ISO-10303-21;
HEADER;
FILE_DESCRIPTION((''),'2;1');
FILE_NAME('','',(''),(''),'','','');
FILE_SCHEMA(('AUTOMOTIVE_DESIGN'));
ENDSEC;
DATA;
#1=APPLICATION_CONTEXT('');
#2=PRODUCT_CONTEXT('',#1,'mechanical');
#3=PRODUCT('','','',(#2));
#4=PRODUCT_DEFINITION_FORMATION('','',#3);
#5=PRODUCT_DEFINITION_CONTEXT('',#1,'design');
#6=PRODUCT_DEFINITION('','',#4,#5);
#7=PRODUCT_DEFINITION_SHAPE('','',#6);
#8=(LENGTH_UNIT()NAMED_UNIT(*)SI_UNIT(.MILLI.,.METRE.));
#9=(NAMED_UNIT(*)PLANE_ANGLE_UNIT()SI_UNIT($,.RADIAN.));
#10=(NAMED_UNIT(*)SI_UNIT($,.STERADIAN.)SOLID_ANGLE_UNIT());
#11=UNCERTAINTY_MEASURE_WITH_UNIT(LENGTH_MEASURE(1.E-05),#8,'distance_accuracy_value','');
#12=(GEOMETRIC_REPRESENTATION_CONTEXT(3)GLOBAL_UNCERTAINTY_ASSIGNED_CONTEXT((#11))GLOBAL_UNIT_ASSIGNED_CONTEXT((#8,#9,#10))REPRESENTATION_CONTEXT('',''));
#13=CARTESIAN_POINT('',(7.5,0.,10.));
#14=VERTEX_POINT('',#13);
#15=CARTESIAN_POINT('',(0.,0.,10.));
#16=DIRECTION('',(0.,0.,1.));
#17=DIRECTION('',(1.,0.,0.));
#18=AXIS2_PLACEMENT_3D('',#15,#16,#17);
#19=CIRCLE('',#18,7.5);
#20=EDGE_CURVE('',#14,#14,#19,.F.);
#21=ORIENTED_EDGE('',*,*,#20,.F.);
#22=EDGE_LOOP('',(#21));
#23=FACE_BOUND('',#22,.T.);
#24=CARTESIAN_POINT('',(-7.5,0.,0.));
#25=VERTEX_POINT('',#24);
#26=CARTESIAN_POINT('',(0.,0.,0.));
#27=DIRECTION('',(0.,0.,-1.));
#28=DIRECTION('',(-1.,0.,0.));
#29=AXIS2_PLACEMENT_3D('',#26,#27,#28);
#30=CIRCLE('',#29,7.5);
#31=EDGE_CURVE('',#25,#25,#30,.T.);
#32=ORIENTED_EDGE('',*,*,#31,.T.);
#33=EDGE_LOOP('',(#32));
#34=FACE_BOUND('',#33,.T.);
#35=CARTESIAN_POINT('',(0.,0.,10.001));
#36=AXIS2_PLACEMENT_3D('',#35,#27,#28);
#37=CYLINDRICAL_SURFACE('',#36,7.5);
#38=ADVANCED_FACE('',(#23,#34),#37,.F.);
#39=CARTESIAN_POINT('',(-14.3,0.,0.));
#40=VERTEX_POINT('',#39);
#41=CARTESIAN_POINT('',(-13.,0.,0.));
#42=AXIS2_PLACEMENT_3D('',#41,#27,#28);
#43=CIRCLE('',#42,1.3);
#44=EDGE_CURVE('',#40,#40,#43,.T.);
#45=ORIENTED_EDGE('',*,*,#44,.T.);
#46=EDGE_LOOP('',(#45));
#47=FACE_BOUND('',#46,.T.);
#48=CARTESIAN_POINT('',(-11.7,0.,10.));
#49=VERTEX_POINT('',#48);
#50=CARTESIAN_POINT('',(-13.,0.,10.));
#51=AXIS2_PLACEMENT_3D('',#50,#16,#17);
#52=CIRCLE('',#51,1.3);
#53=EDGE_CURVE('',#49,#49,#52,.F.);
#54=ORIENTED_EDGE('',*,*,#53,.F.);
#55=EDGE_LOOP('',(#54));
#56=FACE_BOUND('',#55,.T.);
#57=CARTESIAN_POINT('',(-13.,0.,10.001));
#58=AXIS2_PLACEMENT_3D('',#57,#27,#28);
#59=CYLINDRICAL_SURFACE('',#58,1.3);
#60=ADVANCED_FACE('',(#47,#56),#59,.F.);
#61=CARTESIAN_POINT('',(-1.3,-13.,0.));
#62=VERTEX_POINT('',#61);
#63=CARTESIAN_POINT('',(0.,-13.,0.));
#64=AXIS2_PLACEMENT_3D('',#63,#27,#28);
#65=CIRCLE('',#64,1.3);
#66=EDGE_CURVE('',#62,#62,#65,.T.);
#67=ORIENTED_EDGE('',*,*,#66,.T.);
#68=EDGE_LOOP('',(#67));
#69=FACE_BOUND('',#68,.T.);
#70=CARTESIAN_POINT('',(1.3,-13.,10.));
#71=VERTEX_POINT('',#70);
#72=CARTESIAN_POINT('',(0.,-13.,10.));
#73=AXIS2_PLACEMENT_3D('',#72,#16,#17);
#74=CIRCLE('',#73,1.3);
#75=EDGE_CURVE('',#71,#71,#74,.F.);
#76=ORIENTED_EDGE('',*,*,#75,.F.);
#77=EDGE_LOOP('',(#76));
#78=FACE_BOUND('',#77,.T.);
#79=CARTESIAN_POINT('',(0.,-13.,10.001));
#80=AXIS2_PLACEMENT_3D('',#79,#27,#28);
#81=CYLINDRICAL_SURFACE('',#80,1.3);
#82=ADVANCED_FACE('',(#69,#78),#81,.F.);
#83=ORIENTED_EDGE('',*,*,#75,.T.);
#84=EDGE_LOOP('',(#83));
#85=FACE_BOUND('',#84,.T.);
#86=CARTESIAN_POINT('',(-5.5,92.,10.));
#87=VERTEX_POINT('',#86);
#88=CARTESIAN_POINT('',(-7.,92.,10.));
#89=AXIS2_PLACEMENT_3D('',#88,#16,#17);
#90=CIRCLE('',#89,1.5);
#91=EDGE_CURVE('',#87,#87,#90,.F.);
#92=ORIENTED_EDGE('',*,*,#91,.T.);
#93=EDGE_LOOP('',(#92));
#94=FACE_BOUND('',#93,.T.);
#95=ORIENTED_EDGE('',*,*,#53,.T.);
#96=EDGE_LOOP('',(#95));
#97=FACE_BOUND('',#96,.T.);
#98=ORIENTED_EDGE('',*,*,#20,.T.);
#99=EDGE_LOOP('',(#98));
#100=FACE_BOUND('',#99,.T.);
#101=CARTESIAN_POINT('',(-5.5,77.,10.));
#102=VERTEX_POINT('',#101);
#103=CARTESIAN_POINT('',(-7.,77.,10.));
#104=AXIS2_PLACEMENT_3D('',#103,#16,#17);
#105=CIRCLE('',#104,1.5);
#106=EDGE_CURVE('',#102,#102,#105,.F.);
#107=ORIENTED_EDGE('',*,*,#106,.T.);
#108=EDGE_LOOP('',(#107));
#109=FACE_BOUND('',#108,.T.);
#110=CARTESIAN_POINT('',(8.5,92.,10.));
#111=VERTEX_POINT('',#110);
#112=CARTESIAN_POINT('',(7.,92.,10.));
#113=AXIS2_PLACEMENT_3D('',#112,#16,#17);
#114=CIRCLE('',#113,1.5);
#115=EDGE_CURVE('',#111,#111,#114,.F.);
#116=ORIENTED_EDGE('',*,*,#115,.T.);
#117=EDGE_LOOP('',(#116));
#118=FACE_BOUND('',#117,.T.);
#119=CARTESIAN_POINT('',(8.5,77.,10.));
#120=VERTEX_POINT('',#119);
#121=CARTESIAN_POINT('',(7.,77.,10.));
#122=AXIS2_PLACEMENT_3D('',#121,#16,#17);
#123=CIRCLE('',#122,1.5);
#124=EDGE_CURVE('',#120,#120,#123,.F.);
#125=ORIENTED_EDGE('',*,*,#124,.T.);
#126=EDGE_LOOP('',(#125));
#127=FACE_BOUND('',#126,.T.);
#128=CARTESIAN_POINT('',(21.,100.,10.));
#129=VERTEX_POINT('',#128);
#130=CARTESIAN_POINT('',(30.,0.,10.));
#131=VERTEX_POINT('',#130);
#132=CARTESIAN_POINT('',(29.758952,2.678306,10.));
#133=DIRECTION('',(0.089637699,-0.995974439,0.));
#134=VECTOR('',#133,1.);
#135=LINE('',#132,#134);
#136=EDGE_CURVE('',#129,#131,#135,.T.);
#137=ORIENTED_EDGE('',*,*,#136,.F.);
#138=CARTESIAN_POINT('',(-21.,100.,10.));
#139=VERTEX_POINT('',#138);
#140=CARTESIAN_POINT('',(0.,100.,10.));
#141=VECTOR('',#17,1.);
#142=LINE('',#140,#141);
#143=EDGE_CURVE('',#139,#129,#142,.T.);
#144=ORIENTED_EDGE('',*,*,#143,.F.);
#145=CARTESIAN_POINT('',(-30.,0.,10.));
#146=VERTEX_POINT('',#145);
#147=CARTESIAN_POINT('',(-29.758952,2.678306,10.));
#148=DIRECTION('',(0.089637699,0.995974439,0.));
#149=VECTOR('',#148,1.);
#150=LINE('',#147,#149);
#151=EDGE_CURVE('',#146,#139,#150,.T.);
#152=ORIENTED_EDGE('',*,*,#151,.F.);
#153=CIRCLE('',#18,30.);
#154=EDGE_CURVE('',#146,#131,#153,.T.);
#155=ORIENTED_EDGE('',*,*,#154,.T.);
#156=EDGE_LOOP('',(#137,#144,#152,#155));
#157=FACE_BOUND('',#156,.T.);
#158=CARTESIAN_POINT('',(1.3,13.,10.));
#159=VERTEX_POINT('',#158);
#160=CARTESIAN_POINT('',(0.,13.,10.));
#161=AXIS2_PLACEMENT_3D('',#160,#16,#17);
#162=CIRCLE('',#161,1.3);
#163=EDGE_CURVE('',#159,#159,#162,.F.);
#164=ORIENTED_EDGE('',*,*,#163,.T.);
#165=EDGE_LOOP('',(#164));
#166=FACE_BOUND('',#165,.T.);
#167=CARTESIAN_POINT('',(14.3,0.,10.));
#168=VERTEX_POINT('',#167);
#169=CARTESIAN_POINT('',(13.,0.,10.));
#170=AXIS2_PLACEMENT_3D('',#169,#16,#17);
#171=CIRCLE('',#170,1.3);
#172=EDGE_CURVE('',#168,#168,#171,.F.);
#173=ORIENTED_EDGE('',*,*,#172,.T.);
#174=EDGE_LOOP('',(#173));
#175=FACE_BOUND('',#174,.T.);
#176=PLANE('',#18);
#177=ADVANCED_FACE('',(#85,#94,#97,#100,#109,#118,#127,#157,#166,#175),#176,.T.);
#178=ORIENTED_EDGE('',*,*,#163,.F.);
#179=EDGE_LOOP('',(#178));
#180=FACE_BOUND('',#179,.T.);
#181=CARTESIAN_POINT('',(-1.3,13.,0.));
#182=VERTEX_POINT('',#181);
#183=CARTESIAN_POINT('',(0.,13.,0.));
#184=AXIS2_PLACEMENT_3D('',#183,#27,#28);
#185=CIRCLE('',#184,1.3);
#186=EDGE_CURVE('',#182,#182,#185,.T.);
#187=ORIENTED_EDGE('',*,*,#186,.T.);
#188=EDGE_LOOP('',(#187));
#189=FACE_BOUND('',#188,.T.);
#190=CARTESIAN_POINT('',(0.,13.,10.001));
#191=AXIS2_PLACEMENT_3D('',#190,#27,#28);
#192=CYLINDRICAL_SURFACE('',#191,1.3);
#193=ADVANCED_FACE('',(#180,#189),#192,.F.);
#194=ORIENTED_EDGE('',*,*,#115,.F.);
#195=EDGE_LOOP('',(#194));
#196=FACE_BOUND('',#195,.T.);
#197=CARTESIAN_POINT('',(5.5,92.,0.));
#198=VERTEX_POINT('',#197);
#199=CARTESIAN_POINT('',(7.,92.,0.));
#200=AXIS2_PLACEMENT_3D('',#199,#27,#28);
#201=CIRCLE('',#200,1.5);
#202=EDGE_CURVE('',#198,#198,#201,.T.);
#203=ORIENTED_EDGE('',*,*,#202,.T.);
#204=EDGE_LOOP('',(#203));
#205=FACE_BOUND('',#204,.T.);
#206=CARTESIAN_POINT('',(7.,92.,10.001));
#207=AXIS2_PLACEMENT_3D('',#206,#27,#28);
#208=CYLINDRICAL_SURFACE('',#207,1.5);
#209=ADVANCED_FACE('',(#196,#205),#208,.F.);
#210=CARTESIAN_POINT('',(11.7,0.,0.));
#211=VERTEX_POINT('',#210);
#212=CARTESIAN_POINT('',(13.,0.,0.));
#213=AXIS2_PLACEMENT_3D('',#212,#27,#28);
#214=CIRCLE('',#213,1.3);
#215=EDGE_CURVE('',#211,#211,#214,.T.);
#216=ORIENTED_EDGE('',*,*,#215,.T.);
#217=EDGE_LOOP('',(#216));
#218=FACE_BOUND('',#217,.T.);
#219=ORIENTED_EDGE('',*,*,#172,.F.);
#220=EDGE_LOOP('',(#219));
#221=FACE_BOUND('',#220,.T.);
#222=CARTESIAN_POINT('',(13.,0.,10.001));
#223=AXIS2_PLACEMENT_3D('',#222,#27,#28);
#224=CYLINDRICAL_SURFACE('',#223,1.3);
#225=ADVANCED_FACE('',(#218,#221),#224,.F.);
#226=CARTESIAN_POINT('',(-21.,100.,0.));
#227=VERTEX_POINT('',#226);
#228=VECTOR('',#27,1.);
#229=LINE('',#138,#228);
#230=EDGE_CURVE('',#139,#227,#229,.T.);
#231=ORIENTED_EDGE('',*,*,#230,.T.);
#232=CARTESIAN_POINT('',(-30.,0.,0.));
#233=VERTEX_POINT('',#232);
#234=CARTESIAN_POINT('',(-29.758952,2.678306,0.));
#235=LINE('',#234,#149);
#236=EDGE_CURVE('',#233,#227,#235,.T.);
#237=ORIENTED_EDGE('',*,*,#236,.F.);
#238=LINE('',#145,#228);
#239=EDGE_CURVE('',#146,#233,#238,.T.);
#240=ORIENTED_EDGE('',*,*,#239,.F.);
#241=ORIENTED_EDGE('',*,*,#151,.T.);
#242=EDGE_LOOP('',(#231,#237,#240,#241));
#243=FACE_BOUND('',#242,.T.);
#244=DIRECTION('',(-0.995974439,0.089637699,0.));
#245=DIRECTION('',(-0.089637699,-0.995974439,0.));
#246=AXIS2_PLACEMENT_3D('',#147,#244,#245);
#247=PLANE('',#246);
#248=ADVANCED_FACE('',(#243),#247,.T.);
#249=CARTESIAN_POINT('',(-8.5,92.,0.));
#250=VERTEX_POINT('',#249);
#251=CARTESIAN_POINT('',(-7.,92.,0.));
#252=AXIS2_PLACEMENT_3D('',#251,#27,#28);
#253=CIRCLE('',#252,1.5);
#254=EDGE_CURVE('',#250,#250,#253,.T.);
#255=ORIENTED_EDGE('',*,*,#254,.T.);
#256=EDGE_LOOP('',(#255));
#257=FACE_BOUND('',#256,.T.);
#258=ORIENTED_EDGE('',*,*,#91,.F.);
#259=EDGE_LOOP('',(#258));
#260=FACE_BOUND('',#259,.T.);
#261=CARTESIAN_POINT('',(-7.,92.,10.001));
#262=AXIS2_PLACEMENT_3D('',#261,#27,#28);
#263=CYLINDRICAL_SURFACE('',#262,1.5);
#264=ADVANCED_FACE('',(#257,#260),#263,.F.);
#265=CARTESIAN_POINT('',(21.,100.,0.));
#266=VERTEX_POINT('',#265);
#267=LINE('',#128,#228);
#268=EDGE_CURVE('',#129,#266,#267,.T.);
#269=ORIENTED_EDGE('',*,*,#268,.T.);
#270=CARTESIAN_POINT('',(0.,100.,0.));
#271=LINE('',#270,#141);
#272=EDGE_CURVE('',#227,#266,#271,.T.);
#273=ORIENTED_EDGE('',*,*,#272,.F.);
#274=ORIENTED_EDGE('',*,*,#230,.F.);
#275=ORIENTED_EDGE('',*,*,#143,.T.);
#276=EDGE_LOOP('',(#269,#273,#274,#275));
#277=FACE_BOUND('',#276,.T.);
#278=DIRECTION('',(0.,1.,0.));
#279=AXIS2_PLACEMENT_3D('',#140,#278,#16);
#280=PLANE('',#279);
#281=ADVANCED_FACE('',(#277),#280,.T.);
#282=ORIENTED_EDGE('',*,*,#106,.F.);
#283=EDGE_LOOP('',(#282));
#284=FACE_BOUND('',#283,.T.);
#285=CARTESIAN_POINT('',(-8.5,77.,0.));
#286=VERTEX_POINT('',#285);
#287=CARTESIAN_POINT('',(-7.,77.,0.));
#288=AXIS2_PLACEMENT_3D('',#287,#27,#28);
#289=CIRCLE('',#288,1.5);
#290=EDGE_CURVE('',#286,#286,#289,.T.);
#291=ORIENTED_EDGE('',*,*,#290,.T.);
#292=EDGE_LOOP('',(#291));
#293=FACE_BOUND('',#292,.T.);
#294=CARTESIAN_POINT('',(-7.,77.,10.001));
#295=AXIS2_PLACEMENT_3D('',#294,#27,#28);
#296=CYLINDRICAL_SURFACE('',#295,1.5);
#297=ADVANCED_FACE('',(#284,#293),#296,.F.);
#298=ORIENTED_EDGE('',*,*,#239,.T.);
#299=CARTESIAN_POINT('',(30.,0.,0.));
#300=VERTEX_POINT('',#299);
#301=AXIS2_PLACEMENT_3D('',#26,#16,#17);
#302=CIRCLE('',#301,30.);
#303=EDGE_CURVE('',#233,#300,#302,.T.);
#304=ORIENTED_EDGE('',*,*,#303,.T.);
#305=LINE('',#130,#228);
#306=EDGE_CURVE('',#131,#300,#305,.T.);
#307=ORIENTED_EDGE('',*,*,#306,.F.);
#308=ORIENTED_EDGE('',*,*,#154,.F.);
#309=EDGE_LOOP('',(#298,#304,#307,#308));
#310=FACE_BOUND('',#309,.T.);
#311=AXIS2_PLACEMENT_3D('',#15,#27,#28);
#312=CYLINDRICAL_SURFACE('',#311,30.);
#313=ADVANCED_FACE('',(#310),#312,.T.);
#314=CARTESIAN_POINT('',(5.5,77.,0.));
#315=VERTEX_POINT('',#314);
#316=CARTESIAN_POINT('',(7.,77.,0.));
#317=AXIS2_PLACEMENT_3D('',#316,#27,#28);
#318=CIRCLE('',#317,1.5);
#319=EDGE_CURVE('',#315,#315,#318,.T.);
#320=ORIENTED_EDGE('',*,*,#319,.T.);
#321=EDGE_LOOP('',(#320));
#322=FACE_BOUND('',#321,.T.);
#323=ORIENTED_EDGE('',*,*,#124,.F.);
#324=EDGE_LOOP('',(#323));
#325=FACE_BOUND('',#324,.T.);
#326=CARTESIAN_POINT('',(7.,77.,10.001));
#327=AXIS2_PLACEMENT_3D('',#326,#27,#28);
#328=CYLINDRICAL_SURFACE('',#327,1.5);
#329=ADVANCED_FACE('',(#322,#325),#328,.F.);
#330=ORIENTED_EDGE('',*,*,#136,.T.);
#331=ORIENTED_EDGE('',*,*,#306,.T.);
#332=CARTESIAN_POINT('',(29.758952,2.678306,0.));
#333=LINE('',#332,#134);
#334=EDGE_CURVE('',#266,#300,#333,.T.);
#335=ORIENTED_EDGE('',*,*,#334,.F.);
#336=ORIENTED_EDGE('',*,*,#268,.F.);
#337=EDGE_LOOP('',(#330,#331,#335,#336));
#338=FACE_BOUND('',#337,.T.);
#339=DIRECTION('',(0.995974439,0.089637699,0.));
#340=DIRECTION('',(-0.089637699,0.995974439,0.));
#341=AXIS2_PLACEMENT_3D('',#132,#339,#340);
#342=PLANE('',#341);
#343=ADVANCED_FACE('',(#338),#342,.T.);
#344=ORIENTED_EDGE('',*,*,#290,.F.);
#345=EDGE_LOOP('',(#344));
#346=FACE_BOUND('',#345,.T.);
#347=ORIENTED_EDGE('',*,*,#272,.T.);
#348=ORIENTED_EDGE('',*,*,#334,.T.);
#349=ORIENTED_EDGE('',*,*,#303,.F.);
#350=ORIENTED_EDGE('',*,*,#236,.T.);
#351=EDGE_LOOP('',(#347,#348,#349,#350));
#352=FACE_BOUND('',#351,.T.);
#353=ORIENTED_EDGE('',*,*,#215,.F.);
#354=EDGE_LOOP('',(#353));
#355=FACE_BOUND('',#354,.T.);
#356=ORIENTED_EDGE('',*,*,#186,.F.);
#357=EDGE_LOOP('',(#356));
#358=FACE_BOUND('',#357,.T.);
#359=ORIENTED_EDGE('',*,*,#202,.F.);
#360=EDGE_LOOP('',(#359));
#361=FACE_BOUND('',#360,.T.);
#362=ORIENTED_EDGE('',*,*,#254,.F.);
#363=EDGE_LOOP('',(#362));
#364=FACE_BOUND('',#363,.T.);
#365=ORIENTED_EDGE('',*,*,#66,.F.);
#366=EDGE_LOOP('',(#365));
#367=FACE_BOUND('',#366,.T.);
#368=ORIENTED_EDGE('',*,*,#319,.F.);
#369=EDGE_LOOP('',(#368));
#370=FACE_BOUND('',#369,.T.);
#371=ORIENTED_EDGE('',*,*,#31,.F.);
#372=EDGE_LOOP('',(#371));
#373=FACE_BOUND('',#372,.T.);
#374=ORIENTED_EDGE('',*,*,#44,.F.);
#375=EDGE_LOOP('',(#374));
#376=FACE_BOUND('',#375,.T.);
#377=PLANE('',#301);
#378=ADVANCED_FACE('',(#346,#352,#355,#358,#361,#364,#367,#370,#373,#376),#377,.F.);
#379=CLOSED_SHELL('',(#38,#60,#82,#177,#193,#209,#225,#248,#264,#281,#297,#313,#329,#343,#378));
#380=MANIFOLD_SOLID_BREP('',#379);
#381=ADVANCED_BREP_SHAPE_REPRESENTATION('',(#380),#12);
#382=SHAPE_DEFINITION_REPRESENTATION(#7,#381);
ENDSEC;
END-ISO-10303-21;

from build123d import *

# Parameters (mm, degrees)
BOSS_EXTRUDE1_DEPTH = 10
CUT_EXTRUDE1_REACH  = 12
SKETCH2_R           = 1.5
CUT_EXTRUDE2_REACH  = 12
SKETCH3_R           = 1.3
SKETCH3_R_2         = 7.5


with BuildPart() as part:
    # Sketch1 → Boss-Extrude1 (new body)
    with BuildSketch(Plane.XY):
        with BuildLine():
            Line((-21, 100), (-29.51790497, 5.356611447))
            ThreePointArc((-29.51790497, 5.356611447), (0, 30), (29.51790497, 5.356611447))
            Line((29.51790497, 5.356611447), (21, 100))
            Line((21, 100), (-21, 100))
        make_face()
        with BuildLine():
            Line((-29.51790497, 5.356611447), (-30, 0))
            ThreePointArc((-30, 0), (0, -30), (30, 0))
            Line((30, 0), (29.51790497, 5.356611447))
            ThreePointArc((29.51790497, 5.356611447), (0, 30), (-29.51790497, 5.356611447))
        make_face()
    extrude(amount=BOSS_EXTRUDE1_DEPTH)

    # Sketch2 → Cut-Extrude1 (cut, up to next)
    with BuildSketch(Plane(origin=(0, 0, 0), x_dir=(-1, 0, 0), z_dir=(0, 0, -1)), mode=Mode.PRIVATE) as cut_extrude1_sk1:
        with Locations((7, 92)):
            Circle(SKETCH2_R)
    cut_extrude1_tool1 = extrude(cut_extrude1_sk1.sketch, amount=-CUT_EXTRUDE1_REACH, mode=Mode.PRIVATE) & part.part
    add(cut_extrude1_tool1.solids().sort_by_distance((-7, 92, 0))[0], mode=Mode.SUBTRACT)
    # Sketch2 → Cut-Extrude1 (cut, up to next)
    with BuildSketch(Plane(origin=(0, 0, 0), x_dir=(-1, 0, 0), z_dir=(0, 0, -1)), mode=Mode.PRIVATE) as cut_extrude1_sk2:
        with Locations((7, 77)):
            Circle(SKETCH2_R)
    cut_extrude1_tool2 = extrude(cut_extrude1_sk2.sketch, amount=-CUT_EXTRUDE1_REACH, mode=Mode.PRIVATE) & part.part
    add(cut_extrude1_tool2.solids().sort_by_distance((-7, 77, 0))[0], mode=Mode.SUBTRACT)
    # Sketch2 → Cut-Extrude1 (cut, up to next)
    with BuildSketch(Plane(origin=(0, 0, 0), x_dir=(-1, 0, 0), z_dir=(0, 0, -1)), mode=Mode.PRIVATE) as cut_extrude1_sk3:
        with Locations((-7, 77)):
            Circle(SKETCH2_R)
    cut_extrude1_tool3 = extrude(cut_extrude1_sk3.sketch, amount=-CUT_EXTRUDE1_REACH, mode=Mode.PRIVATE) & part.part
    add(cut_extrude1_tool3.solids().sort_by_distance((7, 77, 0))[0], mode=Mode.SUBTRACT)
    # Sketch2 → Cut-Extrude1 (cut, up to next)
    with BuildSketch(Plane(origin=(0, 0, 0), x_dir=(-1, 0, 0), z_dir=(0, 0, -1)), mode=Mode.PRIVATE) as cut_extrude1_sk4:
        with Locations((-7, 92)):
            Circle(SKETCH2_R)
    cut_extrude1_tool4 = extrude(cut_extrude1_sk4.sketch, amount=-CUT_EXTRUDE1_REACH, mode=Mode.PRIVATE) & part.part
    add(cut_extrude1_tool4.solids().sort_by_distance((7, 92, 0))[0], mode=Mode.SUBTRACT)

    # Sketch3 → Cut-Extrude2 (cut, up to next)
    with BuildSketch(Plane(origin=(0, 0, 0), x_dir=(-1, 0, 0), z_dir=(0, 0, -1)), mode=Mode.PRIVATE) as cut_extrude2_sk1:
        with Locations((0, 13)):
            Circle(SKETCH3_R)
    cut_extrude2_tool1 = extrude(cut_extrude2_sk1.sketch, amount=-CUT_EXTRUDE2_REACH, mode=Mode.PRIVATE) & part.part
    add(cut_extrude2_tool1.solids().sort_by_distance((0, 13, 0))[0], mode=Mode.SUBTRACT)
    # Sketch3 → Cut-Extrude2 (cut, up to next)
    with BuildSketch(Plane(origin=(0, 0, 0), x_dir=(-1, 0, 0), z_dir=(0, 0, -1)), mode=Mode.PRIVATE) as cut_extrude2_sk2:
        with Locations((13, 0)):
            Circle(SKETCH3_R)
    cut_extrude2_tool2 = extrude(cut_extrude2_sk2.sketch, amount=-CUT_EXTRUDE2_REACH, mode=Mode.PRIVATE) & part.part
    add(cut_extrude2_tool2.solids().sort_by_distance((-13, 0, 0))[0], mode=Mode.SUBTRACT)
    # Sketch3 → Cut-Extrude2 (cut, up to next)
    with BuildSketch(Plane(origin=(0, 0, 0), x_dir=(-1, 0, 0), z_dir=(0, 0, -1)), mode=Mode.PRIVATE) as cut_extrude2_sk3:
        with Locations((0, -13)):
            Circle(SKETCH3_R)
    cut_extrude2_tool3 = extrude(cut_extrude2_sk3.sketch, amount=-CUT_EXTRUDE2_REACH, mode=Mode.PRIVATE) & part.part
    add(cut_extrude2_tool3.solids().sort_by_distance((0, -13, 0))[0], mode=Mode.SUBTRACT)
    # Sketch3 → Cut-Extrude2 (cut, up to next)
    with BuildSketch(Plane(origin=(0, 0, 0), x_dir=(-1, 0, 0), z_dir=(0, 0, -1)), mode=Mode.PRIVATE) as cut_extrude2_sk4:
        with Locations((-13, 0)):
            Circle(SKETCH3_R)
    cut_extrude2_tool4 = extrude(cut_extrude2_sk4.sketch, amount=-CUT_EXTRUDE2_REACH, mode=Mode.PRIVATE) & part.part
    add(cut_extrude2_tool4.solids().sort_by_distance((13, 0, 0))[0], mode=Mode.SUBTRACT)
    # Sketch3 → Cut-Extrude2 (cut, up to next)
    with BuildSketch(Plane(origin=(0, 0, 0), x_dir=(-1, 0, 0), z_dir=(0, 0, -1)), mode=Mode.PRIVATE) as cut_extrude2_sk5:
        Circle(SKETCH3_R_2)
    cut_extrude2_tool5 = extrude(cut_extrude2_sk5.sketch, amount=-CUT_EXTRUDE2_REACH, mode=Mode.PRIVATE) & part.part
    add(cut_extrude2_tool5.solids().sort_by_distance((0, 0, 0))[0], mode=Mode.SUBTRACT)


solid = part.part
